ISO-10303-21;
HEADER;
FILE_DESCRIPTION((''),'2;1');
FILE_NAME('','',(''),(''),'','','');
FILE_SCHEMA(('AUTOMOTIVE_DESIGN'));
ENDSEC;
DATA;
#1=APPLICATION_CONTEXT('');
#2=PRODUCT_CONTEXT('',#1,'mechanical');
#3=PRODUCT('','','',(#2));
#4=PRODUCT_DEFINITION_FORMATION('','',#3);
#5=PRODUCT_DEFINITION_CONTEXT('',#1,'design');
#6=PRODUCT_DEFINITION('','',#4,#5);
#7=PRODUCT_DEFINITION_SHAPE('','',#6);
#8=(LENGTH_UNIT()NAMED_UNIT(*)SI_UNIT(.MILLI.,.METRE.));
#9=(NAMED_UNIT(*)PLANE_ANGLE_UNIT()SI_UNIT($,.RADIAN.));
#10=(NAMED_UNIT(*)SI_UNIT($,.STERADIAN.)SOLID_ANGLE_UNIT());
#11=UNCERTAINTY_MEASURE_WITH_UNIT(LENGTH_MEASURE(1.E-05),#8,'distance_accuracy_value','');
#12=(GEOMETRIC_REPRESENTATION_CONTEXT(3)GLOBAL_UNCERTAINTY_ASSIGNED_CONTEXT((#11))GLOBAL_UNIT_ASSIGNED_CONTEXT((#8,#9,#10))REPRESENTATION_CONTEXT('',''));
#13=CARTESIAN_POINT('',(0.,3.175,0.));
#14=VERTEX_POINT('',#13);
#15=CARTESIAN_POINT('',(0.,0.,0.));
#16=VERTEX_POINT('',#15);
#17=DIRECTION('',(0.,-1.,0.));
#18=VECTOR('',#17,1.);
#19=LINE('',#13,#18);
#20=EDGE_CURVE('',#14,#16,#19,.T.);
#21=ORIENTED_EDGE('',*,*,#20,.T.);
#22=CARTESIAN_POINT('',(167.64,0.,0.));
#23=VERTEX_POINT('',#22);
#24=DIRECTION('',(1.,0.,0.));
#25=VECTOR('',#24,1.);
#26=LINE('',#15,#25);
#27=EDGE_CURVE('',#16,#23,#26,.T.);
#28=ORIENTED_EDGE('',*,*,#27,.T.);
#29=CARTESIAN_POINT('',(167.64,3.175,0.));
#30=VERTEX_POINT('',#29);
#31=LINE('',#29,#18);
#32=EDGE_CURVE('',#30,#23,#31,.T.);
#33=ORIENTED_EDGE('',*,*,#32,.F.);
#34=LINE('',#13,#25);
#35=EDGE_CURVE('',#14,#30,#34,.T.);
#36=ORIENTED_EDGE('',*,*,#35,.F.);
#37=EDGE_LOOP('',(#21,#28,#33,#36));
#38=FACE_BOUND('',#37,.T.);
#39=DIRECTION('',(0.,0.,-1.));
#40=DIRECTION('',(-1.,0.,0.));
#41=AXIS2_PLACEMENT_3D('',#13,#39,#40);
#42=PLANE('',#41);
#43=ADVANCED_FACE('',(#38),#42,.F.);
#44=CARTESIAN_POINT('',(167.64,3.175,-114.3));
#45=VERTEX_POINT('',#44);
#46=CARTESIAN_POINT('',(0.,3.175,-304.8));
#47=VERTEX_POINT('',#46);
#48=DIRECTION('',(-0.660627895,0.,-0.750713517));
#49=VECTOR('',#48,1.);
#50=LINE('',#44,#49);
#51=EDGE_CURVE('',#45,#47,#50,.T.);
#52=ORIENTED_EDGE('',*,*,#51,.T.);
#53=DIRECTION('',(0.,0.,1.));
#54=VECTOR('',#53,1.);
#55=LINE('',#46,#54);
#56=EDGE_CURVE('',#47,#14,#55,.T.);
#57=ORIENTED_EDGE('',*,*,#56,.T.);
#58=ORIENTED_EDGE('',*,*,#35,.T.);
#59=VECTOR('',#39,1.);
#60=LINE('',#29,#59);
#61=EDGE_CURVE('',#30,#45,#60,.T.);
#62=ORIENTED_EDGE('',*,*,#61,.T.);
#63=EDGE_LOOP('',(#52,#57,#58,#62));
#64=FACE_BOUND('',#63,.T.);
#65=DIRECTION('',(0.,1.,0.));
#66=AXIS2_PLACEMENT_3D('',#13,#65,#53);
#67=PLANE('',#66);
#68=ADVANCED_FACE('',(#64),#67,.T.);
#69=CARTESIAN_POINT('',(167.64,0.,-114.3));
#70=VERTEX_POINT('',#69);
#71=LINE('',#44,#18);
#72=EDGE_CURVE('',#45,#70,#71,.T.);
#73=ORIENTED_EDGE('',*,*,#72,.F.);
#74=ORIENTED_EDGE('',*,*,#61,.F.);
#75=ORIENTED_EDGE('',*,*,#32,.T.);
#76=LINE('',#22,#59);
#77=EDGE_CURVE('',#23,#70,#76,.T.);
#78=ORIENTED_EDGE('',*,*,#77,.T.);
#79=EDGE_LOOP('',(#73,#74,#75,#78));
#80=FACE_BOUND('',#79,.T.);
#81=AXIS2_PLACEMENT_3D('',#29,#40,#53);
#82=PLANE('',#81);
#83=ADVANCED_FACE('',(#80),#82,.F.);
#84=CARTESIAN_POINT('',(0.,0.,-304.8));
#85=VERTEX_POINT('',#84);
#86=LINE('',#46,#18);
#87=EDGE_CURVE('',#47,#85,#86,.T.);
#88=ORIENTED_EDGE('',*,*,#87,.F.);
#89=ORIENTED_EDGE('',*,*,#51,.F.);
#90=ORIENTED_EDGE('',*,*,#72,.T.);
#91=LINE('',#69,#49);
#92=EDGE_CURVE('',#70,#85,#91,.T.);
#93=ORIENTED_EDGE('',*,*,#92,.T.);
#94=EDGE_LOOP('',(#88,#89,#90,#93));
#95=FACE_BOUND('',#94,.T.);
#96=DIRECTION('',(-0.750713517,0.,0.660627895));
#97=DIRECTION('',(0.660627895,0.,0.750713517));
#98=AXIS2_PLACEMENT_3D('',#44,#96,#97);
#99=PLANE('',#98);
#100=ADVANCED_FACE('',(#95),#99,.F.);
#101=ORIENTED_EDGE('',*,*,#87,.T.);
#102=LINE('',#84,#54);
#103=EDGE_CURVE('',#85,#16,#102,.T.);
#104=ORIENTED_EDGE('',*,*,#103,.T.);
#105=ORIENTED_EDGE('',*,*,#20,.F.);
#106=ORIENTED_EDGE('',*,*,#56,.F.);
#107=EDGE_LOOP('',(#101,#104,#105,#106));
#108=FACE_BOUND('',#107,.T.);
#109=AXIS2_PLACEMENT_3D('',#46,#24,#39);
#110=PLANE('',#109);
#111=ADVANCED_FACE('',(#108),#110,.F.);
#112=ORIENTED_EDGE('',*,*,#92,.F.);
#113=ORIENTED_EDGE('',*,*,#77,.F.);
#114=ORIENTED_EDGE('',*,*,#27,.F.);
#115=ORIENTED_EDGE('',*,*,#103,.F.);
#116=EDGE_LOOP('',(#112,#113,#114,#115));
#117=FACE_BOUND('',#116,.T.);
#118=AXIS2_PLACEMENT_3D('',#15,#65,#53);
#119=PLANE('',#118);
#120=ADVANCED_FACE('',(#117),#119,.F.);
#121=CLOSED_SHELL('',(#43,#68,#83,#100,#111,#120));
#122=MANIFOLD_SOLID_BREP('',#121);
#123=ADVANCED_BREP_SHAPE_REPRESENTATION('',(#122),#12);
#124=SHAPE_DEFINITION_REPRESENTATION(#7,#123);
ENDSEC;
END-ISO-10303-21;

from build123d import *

# Parameters (mm, degrees)
BOSS_EXTRUDE1_DEPTH = 3.175


with BuildPart() as part:
    # Sketch1 → Boss-Extrude1 (new body)
    with BuildSketch(Plane(origin=(0, 0, 0), x_dir=(1, 0, 0), z_dir=(0, 1, 0))):
        Polygon((0, 0), (167.64, 0), (167.64, 114.3), (0, 304.8), align=None)
    extrude(amount=BOSS_EXTRUDE1_DEPTH)


solid = part.part
